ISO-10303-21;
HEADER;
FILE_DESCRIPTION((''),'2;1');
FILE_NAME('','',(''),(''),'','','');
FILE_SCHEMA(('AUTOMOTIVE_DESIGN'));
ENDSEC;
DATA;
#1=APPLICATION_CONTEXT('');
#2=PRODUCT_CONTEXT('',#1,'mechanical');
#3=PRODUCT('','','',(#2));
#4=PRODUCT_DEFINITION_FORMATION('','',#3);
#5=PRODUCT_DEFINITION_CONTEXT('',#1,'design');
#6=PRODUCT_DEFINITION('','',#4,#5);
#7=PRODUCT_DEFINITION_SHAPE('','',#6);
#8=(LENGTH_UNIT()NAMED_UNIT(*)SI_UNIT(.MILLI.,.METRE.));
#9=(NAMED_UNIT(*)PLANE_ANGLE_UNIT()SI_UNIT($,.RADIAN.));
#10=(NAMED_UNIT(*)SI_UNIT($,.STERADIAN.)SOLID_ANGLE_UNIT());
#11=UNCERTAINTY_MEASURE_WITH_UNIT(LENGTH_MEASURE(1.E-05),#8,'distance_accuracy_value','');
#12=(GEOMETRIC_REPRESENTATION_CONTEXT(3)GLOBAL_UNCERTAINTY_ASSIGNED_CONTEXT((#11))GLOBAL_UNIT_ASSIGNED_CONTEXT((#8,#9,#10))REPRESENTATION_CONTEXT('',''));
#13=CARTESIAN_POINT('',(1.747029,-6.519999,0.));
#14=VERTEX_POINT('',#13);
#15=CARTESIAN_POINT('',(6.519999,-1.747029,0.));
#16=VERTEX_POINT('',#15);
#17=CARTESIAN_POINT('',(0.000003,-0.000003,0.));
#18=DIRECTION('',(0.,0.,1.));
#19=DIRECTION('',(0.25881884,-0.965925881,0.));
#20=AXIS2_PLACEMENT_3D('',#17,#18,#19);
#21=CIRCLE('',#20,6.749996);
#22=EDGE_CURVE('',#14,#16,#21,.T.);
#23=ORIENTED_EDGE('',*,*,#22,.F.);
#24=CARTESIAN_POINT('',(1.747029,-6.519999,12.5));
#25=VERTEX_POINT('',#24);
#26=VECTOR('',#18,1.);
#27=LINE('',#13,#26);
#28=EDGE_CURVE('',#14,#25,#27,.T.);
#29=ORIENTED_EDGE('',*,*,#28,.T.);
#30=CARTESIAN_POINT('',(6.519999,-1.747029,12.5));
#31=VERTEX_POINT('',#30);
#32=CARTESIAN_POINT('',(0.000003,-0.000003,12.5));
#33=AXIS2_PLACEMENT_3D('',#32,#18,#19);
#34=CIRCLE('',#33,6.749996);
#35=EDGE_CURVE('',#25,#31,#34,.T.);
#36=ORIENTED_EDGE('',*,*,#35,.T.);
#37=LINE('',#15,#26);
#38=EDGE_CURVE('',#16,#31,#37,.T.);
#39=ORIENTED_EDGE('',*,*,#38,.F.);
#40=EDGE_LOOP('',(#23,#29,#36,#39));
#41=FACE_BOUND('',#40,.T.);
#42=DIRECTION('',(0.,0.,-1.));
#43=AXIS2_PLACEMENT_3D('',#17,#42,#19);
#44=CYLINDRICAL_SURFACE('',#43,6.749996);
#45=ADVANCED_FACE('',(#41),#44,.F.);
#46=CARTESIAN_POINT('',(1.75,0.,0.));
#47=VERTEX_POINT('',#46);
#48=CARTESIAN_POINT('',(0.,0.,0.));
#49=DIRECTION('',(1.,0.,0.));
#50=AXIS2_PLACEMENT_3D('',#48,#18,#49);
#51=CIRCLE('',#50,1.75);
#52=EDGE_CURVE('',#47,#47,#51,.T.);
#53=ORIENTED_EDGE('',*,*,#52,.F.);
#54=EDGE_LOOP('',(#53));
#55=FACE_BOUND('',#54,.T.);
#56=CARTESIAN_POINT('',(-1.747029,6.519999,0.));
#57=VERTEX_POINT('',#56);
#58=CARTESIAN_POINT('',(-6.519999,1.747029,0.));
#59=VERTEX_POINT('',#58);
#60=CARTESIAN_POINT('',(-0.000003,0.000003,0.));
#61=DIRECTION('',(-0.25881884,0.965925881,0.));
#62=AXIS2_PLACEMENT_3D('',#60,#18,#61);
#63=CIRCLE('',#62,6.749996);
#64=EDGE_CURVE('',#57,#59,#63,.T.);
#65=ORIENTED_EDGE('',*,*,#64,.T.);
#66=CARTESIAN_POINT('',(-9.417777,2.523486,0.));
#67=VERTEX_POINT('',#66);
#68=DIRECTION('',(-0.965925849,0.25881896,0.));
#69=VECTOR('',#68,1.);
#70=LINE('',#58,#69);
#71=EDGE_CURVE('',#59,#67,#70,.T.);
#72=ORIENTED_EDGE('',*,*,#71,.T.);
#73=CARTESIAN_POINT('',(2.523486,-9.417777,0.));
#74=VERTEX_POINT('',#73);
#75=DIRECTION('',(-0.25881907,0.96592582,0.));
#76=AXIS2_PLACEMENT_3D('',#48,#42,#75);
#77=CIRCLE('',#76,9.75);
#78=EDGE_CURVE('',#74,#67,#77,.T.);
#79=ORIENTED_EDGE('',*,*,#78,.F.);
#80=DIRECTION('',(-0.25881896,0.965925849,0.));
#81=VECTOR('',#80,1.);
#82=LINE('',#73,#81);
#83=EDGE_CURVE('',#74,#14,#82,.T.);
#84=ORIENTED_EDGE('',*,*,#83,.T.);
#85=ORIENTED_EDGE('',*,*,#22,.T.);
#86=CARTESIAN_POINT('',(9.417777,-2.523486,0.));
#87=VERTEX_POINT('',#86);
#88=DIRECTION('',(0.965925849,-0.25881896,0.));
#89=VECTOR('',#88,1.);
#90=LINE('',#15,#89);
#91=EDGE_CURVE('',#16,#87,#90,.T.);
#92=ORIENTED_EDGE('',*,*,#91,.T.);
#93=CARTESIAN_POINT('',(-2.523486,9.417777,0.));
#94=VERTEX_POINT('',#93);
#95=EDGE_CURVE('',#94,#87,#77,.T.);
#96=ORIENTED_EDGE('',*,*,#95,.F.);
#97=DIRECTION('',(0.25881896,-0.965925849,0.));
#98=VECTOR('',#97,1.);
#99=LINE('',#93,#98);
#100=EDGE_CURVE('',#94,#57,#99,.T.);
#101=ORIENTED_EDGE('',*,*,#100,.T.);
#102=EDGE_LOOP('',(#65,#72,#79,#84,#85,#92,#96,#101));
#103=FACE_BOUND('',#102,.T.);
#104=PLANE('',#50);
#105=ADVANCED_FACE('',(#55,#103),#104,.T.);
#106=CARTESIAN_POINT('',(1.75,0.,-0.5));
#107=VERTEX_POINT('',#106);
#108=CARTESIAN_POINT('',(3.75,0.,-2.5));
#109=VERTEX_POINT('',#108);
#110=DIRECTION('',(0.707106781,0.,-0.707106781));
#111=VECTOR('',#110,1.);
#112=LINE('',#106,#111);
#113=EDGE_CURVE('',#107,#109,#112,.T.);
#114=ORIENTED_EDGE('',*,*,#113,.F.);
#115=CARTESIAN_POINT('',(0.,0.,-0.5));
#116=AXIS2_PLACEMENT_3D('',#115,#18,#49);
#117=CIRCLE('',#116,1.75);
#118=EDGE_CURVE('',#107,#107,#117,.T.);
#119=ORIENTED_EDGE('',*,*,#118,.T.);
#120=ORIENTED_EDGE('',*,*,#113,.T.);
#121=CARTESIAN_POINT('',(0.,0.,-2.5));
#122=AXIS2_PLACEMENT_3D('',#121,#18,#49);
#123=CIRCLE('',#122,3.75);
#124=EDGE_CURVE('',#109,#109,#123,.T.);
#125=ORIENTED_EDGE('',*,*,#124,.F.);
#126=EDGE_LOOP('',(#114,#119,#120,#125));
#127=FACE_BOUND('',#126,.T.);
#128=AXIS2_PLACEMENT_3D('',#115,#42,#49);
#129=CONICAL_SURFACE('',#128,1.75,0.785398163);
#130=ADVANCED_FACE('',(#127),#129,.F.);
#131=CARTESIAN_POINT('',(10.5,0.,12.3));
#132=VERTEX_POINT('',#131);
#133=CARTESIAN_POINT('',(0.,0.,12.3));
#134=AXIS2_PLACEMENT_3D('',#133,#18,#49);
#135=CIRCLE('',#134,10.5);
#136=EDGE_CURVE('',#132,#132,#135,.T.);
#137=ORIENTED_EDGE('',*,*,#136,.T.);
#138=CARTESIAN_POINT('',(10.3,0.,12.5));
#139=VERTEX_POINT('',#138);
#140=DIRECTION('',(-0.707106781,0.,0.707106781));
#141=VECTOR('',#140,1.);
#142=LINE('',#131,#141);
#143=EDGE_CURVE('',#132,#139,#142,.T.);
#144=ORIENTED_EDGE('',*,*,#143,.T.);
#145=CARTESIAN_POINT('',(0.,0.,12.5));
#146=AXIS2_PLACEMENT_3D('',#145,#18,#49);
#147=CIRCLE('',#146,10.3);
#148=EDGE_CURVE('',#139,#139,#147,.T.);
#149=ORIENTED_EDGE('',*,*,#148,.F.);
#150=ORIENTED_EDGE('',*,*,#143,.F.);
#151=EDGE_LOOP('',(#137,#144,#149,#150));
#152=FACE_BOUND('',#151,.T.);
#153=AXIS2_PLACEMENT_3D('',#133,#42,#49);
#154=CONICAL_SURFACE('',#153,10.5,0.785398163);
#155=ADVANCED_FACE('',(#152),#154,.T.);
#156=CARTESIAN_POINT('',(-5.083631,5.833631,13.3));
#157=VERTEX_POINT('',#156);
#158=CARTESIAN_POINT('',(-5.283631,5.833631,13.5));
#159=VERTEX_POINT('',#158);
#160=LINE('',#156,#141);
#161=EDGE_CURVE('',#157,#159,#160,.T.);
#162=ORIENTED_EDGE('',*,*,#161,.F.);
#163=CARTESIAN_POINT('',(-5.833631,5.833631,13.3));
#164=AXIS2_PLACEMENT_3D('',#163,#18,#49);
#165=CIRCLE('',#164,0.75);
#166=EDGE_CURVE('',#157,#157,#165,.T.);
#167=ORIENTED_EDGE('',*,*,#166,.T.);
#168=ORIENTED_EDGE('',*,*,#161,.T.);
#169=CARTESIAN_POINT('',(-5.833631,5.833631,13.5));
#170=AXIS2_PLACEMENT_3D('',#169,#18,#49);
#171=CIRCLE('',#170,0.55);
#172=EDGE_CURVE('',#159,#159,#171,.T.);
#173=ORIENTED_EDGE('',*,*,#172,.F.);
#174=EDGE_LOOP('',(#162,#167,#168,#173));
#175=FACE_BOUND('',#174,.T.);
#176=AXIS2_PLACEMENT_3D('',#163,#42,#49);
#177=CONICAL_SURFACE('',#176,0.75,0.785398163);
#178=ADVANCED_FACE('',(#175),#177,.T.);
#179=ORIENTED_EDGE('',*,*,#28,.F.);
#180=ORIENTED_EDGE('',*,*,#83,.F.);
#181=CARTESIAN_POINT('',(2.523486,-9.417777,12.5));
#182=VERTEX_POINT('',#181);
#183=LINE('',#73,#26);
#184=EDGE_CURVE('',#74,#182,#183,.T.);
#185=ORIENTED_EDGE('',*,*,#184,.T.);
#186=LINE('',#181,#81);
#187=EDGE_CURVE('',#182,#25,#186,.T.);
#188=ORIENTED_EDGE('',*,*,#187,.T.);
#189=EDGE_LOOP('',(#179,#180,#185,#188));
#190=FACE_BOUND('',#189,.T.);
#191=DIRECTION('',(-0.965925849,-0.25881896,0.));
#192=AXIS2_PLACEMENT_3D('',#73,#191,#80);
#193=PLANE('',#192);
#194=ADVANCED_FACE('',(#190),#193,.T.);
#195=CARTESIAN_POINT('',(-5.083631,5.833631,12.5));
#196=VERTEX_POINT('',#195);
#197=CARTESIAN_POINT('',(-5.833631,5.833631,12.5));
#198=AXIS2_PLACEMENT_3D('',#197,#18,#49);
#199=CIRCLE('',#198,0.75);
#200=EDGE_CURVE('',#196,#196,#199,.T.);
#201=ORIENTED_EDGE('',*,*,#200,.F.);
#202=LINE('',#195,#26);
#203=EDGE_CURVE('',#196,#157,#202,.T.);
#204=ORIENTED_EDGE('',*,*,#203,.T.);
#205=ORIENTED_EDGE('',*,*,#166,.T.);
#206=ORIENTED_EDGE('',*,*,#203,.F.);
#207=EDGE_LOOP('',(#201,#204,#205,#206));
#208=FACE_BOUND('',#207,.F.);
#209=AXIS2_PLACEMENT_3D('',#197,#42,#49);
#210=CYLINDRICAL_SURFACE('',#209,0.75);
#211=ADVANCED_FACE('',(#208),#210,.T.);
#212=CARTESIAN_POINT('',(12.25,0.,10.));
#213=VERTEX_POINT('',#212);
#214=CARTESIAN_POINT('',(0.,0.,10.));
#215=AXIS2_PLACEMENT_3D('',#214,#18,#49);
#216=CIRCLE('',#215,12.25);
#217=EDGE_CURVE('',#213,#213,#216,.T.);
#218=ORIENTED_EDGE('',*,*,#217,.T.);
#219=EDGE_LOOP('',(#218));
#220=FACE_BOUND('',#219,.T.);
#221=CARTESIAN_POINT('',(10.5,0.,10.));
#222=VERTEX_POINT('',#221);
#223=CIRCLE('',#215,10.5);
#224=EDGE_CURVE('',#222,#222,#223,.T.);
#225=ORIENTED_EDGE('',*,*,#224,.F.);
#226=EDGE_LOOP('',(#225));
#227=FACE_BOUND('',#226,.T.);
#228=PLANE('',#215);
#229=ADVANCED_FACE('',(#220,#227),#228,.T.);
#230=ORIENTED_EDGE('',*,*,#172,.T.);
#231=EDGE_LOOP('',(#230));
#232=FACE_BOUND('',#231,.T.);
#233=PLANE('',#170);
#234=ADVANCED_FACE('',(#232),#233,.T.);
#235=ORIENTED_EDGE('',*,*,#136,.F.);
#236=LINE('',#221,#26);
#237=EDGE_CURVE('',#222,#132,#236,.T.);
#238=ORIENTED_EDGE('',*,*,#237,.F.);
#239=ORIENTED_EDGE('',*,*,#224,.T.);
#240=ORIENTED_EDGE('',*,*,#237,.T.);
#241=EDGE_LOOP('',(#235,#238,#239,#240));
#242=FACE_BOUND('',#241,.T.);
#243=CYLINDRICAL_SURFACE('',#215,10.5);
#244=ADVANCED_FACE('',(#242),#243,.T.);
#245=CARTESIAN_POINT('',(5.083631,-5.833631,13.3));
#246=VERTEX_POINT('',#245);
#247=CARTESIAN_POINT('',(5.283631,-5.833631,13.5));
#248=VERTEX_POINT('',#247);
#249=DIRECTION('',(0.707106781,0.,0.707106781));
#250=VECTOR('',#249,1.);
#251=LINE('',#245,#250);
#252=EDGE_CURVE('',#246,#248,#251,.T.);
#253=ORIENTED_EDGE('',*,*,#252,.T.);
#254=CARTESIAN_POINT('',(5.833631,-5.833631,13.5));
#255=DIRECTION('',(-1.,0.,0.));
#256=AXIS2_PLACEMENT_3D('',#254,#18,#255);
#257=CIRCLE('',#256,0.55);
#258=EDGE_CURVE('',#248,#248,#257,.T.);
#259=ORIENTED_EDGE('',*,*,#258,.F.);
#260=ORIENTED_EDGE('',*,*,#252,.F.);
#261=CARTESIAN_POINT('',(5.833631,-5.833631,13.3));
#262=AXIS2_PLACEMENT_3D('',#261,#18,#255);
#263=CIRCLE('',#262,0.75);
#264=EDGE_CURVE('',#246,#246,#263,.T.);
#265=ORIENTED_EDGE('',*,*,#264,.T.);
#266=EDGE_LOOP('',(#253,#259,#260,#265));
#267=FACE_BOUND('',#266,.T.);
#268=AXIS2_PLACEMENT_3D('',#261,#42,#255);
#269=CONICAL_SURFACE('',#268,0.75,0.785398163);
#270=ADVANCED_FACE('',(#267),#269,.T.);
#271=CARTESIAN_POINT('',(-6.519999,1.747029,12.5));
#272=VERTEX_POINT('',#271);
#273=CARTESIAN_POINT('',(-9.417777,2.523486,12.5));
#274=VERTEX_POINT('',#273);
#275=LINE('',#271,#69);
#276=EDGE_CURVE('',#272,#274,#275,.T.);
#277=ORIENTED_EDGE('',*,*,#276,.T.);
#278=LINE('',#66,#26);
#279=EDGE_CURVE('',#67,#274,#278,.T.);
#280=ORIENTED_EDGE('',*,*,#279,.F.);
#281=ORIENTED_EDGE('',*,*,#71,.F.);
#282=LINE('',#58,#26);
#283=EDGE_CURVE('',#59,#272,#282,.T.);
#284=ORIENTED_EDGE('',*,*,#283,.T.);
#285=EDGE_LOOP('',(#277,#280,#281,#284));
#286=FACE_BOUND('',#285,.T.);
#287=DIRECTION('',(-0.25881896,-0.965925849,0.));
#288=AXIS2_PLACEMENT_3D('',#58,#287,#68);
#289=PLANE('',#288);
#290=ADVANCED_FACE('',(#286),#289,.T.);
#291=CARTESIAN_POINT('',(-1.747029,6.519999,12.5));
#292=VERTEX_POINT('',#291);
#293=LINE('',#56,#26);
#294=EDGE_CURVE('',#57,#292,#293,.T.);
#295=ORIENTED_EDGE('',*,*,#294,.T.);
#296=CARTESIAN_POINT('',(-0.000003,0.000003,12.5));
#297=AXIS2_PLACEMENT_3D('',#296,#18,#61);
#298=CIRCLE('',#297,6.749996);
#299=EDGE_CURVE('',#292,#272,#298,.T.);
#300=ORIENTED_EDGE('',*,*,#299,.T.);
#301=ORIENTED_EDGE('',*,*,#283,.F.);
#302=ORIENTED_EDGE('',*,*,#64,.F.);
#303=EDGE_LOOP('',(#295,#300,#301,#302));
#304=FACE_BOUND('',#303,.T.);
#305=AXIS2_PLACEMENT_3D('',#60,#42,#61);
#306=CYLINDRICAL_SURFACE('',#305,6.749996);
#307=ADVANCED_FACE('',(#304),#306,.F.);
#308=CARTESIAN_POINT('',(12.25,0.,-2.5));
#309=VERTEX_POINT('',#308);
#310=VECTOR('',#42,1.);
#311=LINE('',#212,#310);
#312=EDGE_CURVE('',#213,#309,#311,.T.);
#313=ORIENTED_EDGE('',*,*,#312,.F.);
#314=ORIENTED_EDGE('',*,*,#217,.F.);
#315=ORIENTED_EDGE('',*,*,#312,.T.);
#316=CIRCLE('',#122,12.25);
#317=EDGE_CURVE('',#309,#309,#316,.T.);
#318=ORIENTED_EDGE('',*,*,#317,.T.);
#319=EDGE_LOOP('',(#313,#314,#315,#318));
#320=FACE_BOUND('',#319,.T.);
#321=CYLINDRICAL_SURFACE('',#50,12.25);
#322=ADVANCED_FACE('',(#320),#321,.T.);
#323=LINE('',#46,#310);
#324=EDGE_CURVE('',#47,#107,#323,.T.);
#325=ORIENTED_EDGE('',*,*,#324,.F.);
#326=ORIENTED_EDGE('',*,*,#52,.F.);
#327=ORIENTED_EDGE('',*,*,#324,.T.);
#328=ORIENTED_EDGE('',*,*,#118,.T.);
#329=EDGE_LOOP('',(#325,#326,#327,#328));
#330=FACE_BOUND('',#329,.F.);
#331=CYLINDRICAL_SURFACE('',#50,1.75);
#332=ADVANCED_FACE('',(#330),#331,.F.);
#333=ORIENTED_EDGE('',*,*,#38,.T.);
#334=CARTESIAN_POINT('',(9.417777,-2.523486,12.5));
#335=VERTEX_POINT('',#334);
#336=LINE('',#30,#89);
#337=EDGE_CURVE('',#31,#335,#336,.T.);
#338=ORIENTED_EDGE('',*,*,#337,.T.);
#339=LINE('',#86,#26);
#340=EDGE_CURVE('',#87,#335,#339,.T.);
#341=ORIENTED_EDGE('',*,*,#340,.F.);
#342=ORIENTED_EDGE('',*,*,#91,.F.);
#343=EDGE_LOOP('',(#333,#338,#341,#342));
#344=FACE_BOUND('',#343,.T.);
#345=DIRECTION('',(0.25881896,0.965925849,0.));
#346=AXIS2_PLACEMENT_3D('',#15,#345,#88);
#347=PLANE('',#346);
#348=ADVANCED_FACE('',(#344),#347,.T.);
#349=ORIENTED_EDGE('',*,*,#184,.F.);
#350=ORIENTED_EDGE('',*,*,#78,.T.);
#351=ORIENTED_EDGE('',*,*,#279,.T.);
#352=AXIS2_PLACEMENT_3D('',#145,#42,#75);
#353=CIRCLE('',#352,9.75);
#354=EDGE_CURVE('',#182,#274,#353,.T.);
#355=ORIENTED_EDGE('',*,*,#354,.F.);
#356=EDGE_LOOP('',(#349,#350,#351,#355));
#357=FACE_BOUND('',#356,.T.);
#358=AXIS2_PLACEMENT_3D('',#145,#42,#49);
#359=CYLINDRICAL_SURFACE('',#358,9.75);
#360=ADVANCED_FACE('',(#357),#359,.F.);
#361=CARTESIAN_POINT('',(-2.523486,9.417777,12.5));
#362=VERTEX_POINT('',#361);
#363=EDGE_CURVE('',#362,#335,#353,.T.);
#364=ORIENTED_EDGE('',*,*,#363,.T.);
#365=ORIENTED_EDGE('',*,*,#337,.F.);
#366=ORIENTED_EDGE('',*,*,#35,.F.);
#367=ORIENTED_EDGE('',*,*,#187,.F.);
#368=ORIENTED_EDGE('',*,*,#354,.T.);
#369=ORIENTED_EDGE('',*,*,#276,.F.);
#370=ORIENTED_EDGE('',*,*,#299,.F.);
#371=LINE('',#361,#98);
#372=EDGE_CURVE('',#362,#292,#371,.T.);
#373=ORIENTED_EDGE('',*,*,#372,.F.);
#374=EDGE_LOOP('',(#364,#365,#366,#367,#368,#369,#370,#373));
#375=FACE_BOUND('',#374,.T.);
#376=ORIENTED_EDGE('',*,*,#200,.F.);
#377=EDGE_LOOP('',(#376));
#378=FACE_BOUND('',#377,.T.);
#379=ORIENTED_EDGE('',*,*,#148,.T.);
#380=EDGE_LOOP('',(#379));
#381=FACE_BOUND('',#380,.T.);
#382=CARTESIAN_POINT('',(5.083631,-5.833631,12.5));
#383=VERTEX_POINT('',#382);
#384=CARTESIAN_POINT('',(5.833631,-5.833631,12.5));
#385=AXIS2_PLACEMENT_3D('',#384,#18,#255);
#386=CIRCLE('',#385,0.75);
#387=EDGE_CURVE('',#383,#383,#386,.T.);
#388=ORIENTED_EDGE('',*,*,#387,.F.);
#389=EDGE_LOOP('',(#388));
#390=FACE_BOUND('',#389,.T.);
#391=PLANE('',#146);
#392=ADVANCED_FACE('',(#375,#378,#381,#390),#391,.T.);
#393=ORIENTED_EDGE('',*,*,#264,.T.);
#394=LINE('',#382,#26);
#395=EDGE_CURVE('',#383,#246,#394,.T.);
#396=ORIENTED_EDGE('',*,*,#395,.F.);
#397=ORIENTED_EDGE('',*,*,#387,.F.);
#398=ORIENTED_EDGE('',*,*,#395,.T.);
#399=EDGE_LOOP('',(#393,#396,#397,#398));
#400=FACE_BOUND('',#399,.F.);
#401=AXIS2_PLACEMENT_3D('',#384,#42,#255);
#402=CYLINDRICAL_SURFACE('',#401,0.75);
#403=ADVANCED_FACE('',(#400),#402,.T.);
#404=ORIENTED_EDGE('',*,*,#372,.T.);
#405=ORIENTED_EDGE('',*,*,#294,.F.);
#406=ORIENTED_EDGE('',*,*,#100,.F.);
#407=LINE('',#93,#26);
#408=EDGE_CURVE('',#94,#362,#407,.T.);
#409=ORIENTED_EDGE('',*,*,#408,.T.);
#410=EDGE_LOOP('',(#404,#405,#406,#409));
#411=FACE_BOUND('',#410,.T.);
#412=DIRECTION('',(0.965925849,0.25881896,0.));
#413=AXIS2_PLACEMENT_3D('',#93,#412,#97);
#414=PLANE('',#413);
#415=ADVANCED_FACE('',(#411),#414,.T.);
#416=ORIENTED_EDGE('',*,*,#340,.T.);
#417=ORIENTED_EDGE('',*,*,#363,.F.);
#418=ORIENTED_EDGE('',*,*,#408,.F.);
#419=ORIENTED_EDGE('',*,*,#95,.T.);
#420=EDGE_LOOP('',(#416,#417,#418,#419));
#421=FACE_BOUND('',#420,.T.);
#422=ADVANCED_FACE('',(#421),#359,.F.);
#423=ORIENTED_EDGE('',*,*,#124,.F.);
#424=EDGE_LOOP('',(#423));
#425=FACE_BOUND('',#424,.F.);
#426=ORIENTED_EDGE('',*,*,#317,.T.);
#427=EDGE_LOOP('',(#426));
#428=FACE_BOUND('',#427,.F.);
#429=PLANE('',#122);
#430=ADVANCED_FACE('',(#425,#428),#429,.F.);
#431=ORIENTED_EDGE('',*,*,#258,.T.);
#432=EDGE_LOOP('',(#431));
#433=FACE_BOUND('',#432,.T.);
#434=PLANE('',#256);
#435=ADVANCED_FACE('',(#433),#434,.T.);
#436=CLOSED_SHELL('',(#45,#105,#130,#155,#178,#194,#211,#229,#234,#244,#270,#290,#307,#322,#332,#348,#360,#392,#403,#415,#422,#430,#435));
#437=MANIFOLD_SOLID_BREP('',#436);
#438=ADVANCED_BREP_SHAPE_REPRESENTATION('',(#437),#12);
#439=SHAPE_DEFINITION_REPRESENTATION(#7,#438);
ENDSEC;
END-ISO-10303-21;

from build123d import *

# Parameters (mm, degrees)
SKETCH005_R           = 12.25
SKETCH005_R_2         = 1.75
PAD004_DEPTH          = 2.5
CHAMFER001_SIZE       = 2
PAD005_DEPTH          = 12.5
POLARPATTERN001_COUNT = 2
SKETCH008_R           = 0.75
PAD006_DEPTH          = 1
POLARPATTERN002_COUNT = 2
CHAMFER002_SIZE       = 0.2


with BuildPart() as part:
    # Sketch005 → Pad004 (new body)
    with BuildSketch(Plane.XY):
        Circle(SKETCH005_R)
        Circle(SKETCH005_R_2, mode=Mode.SUBTRACT)
    extrude(amount=-PAD004_DEPTH)

    # Chamfer001
    chamfer001_edges = [part.edges().sort_by_distance(p)[0] for p in [
        (-1.75, 0, -2.5),
    ]]
    chamfer(chamfer001_edges, length=CHAMFER001_SIZE)

    # Sketch006 → Revolution (revolve)
    with BuildSketch(Plane.XZ):
        Polygon((12.25, 0), (12.25, 10), (10.5, 10), (10.5, 12.5), (9.75, 12.5), (9.75, 0), align=None)
    revolve(axis=Axis((0, 0, 0), (0, 0, 1)))

    # Sketch007 → Pad005 (join)
    with BuildSketch(Plane.XY):
        with BuildLine():
            ThreePointArc((-2.523486, 9.417777), (-6.894291, 6.894291), (-9.417777, 2.523486))
            Line((-6.519999, 1.747029), (-9.417777, 2.523486))
            ThreePointArc((-1.747029, 6.519999), (-4.772971, 4.772971), (-6.519999, 1.747029))
            Line((-2.523486, 9.417777), (-1.747029, 6.519999))
        make_face()
    pad005 = extrude(amount=PAD005_DEPTH)

    # PolarPattern001: Pad005 ×2 about axis
    polarpattern001_axis = Axis((0, 0, 0), (0, 0, 1))
    for i in range(1, POLARPATTERN001_COUNT):
        add(pad005.rotate(polarpattern001_axis, i * 360 / POLARPATTERN001_COUNT))

    # Sketch008 (on DatumPlane) → Pad006 (join)
    with BuildSketch(Plane.XY.offset(12.5)):
        with Locations((-5.833631, 5.833631)):
            Circle(SKETCH008_R)
    pad006 = extrude(amount=PAD006_DEPTH)

    # PolarPattern002: Pad006 ×2 about axis
    polarpattern002_axis = Axis((0, 0, 12.5), (0, 0, 1))
    for i in range(1, POLARPATTERN002_COUNT):
        add(pad006.rotate(polarpattern002_axis, i * 360 / POLARPATTERN002_COUNT))

    # Chamfer002
    chamfer002_edges = [part.edges().sort_by_distance(p)[0] for p in [
        (-6.583631, 5.833631, 13.5),
        (6.583631, -5.833631, 13.5),
        (-10.5, 0, 12.5),
    ]]
    chamfer(chamfer002_edges, length=CHAMFER002_SIZE)


solid = part.part
